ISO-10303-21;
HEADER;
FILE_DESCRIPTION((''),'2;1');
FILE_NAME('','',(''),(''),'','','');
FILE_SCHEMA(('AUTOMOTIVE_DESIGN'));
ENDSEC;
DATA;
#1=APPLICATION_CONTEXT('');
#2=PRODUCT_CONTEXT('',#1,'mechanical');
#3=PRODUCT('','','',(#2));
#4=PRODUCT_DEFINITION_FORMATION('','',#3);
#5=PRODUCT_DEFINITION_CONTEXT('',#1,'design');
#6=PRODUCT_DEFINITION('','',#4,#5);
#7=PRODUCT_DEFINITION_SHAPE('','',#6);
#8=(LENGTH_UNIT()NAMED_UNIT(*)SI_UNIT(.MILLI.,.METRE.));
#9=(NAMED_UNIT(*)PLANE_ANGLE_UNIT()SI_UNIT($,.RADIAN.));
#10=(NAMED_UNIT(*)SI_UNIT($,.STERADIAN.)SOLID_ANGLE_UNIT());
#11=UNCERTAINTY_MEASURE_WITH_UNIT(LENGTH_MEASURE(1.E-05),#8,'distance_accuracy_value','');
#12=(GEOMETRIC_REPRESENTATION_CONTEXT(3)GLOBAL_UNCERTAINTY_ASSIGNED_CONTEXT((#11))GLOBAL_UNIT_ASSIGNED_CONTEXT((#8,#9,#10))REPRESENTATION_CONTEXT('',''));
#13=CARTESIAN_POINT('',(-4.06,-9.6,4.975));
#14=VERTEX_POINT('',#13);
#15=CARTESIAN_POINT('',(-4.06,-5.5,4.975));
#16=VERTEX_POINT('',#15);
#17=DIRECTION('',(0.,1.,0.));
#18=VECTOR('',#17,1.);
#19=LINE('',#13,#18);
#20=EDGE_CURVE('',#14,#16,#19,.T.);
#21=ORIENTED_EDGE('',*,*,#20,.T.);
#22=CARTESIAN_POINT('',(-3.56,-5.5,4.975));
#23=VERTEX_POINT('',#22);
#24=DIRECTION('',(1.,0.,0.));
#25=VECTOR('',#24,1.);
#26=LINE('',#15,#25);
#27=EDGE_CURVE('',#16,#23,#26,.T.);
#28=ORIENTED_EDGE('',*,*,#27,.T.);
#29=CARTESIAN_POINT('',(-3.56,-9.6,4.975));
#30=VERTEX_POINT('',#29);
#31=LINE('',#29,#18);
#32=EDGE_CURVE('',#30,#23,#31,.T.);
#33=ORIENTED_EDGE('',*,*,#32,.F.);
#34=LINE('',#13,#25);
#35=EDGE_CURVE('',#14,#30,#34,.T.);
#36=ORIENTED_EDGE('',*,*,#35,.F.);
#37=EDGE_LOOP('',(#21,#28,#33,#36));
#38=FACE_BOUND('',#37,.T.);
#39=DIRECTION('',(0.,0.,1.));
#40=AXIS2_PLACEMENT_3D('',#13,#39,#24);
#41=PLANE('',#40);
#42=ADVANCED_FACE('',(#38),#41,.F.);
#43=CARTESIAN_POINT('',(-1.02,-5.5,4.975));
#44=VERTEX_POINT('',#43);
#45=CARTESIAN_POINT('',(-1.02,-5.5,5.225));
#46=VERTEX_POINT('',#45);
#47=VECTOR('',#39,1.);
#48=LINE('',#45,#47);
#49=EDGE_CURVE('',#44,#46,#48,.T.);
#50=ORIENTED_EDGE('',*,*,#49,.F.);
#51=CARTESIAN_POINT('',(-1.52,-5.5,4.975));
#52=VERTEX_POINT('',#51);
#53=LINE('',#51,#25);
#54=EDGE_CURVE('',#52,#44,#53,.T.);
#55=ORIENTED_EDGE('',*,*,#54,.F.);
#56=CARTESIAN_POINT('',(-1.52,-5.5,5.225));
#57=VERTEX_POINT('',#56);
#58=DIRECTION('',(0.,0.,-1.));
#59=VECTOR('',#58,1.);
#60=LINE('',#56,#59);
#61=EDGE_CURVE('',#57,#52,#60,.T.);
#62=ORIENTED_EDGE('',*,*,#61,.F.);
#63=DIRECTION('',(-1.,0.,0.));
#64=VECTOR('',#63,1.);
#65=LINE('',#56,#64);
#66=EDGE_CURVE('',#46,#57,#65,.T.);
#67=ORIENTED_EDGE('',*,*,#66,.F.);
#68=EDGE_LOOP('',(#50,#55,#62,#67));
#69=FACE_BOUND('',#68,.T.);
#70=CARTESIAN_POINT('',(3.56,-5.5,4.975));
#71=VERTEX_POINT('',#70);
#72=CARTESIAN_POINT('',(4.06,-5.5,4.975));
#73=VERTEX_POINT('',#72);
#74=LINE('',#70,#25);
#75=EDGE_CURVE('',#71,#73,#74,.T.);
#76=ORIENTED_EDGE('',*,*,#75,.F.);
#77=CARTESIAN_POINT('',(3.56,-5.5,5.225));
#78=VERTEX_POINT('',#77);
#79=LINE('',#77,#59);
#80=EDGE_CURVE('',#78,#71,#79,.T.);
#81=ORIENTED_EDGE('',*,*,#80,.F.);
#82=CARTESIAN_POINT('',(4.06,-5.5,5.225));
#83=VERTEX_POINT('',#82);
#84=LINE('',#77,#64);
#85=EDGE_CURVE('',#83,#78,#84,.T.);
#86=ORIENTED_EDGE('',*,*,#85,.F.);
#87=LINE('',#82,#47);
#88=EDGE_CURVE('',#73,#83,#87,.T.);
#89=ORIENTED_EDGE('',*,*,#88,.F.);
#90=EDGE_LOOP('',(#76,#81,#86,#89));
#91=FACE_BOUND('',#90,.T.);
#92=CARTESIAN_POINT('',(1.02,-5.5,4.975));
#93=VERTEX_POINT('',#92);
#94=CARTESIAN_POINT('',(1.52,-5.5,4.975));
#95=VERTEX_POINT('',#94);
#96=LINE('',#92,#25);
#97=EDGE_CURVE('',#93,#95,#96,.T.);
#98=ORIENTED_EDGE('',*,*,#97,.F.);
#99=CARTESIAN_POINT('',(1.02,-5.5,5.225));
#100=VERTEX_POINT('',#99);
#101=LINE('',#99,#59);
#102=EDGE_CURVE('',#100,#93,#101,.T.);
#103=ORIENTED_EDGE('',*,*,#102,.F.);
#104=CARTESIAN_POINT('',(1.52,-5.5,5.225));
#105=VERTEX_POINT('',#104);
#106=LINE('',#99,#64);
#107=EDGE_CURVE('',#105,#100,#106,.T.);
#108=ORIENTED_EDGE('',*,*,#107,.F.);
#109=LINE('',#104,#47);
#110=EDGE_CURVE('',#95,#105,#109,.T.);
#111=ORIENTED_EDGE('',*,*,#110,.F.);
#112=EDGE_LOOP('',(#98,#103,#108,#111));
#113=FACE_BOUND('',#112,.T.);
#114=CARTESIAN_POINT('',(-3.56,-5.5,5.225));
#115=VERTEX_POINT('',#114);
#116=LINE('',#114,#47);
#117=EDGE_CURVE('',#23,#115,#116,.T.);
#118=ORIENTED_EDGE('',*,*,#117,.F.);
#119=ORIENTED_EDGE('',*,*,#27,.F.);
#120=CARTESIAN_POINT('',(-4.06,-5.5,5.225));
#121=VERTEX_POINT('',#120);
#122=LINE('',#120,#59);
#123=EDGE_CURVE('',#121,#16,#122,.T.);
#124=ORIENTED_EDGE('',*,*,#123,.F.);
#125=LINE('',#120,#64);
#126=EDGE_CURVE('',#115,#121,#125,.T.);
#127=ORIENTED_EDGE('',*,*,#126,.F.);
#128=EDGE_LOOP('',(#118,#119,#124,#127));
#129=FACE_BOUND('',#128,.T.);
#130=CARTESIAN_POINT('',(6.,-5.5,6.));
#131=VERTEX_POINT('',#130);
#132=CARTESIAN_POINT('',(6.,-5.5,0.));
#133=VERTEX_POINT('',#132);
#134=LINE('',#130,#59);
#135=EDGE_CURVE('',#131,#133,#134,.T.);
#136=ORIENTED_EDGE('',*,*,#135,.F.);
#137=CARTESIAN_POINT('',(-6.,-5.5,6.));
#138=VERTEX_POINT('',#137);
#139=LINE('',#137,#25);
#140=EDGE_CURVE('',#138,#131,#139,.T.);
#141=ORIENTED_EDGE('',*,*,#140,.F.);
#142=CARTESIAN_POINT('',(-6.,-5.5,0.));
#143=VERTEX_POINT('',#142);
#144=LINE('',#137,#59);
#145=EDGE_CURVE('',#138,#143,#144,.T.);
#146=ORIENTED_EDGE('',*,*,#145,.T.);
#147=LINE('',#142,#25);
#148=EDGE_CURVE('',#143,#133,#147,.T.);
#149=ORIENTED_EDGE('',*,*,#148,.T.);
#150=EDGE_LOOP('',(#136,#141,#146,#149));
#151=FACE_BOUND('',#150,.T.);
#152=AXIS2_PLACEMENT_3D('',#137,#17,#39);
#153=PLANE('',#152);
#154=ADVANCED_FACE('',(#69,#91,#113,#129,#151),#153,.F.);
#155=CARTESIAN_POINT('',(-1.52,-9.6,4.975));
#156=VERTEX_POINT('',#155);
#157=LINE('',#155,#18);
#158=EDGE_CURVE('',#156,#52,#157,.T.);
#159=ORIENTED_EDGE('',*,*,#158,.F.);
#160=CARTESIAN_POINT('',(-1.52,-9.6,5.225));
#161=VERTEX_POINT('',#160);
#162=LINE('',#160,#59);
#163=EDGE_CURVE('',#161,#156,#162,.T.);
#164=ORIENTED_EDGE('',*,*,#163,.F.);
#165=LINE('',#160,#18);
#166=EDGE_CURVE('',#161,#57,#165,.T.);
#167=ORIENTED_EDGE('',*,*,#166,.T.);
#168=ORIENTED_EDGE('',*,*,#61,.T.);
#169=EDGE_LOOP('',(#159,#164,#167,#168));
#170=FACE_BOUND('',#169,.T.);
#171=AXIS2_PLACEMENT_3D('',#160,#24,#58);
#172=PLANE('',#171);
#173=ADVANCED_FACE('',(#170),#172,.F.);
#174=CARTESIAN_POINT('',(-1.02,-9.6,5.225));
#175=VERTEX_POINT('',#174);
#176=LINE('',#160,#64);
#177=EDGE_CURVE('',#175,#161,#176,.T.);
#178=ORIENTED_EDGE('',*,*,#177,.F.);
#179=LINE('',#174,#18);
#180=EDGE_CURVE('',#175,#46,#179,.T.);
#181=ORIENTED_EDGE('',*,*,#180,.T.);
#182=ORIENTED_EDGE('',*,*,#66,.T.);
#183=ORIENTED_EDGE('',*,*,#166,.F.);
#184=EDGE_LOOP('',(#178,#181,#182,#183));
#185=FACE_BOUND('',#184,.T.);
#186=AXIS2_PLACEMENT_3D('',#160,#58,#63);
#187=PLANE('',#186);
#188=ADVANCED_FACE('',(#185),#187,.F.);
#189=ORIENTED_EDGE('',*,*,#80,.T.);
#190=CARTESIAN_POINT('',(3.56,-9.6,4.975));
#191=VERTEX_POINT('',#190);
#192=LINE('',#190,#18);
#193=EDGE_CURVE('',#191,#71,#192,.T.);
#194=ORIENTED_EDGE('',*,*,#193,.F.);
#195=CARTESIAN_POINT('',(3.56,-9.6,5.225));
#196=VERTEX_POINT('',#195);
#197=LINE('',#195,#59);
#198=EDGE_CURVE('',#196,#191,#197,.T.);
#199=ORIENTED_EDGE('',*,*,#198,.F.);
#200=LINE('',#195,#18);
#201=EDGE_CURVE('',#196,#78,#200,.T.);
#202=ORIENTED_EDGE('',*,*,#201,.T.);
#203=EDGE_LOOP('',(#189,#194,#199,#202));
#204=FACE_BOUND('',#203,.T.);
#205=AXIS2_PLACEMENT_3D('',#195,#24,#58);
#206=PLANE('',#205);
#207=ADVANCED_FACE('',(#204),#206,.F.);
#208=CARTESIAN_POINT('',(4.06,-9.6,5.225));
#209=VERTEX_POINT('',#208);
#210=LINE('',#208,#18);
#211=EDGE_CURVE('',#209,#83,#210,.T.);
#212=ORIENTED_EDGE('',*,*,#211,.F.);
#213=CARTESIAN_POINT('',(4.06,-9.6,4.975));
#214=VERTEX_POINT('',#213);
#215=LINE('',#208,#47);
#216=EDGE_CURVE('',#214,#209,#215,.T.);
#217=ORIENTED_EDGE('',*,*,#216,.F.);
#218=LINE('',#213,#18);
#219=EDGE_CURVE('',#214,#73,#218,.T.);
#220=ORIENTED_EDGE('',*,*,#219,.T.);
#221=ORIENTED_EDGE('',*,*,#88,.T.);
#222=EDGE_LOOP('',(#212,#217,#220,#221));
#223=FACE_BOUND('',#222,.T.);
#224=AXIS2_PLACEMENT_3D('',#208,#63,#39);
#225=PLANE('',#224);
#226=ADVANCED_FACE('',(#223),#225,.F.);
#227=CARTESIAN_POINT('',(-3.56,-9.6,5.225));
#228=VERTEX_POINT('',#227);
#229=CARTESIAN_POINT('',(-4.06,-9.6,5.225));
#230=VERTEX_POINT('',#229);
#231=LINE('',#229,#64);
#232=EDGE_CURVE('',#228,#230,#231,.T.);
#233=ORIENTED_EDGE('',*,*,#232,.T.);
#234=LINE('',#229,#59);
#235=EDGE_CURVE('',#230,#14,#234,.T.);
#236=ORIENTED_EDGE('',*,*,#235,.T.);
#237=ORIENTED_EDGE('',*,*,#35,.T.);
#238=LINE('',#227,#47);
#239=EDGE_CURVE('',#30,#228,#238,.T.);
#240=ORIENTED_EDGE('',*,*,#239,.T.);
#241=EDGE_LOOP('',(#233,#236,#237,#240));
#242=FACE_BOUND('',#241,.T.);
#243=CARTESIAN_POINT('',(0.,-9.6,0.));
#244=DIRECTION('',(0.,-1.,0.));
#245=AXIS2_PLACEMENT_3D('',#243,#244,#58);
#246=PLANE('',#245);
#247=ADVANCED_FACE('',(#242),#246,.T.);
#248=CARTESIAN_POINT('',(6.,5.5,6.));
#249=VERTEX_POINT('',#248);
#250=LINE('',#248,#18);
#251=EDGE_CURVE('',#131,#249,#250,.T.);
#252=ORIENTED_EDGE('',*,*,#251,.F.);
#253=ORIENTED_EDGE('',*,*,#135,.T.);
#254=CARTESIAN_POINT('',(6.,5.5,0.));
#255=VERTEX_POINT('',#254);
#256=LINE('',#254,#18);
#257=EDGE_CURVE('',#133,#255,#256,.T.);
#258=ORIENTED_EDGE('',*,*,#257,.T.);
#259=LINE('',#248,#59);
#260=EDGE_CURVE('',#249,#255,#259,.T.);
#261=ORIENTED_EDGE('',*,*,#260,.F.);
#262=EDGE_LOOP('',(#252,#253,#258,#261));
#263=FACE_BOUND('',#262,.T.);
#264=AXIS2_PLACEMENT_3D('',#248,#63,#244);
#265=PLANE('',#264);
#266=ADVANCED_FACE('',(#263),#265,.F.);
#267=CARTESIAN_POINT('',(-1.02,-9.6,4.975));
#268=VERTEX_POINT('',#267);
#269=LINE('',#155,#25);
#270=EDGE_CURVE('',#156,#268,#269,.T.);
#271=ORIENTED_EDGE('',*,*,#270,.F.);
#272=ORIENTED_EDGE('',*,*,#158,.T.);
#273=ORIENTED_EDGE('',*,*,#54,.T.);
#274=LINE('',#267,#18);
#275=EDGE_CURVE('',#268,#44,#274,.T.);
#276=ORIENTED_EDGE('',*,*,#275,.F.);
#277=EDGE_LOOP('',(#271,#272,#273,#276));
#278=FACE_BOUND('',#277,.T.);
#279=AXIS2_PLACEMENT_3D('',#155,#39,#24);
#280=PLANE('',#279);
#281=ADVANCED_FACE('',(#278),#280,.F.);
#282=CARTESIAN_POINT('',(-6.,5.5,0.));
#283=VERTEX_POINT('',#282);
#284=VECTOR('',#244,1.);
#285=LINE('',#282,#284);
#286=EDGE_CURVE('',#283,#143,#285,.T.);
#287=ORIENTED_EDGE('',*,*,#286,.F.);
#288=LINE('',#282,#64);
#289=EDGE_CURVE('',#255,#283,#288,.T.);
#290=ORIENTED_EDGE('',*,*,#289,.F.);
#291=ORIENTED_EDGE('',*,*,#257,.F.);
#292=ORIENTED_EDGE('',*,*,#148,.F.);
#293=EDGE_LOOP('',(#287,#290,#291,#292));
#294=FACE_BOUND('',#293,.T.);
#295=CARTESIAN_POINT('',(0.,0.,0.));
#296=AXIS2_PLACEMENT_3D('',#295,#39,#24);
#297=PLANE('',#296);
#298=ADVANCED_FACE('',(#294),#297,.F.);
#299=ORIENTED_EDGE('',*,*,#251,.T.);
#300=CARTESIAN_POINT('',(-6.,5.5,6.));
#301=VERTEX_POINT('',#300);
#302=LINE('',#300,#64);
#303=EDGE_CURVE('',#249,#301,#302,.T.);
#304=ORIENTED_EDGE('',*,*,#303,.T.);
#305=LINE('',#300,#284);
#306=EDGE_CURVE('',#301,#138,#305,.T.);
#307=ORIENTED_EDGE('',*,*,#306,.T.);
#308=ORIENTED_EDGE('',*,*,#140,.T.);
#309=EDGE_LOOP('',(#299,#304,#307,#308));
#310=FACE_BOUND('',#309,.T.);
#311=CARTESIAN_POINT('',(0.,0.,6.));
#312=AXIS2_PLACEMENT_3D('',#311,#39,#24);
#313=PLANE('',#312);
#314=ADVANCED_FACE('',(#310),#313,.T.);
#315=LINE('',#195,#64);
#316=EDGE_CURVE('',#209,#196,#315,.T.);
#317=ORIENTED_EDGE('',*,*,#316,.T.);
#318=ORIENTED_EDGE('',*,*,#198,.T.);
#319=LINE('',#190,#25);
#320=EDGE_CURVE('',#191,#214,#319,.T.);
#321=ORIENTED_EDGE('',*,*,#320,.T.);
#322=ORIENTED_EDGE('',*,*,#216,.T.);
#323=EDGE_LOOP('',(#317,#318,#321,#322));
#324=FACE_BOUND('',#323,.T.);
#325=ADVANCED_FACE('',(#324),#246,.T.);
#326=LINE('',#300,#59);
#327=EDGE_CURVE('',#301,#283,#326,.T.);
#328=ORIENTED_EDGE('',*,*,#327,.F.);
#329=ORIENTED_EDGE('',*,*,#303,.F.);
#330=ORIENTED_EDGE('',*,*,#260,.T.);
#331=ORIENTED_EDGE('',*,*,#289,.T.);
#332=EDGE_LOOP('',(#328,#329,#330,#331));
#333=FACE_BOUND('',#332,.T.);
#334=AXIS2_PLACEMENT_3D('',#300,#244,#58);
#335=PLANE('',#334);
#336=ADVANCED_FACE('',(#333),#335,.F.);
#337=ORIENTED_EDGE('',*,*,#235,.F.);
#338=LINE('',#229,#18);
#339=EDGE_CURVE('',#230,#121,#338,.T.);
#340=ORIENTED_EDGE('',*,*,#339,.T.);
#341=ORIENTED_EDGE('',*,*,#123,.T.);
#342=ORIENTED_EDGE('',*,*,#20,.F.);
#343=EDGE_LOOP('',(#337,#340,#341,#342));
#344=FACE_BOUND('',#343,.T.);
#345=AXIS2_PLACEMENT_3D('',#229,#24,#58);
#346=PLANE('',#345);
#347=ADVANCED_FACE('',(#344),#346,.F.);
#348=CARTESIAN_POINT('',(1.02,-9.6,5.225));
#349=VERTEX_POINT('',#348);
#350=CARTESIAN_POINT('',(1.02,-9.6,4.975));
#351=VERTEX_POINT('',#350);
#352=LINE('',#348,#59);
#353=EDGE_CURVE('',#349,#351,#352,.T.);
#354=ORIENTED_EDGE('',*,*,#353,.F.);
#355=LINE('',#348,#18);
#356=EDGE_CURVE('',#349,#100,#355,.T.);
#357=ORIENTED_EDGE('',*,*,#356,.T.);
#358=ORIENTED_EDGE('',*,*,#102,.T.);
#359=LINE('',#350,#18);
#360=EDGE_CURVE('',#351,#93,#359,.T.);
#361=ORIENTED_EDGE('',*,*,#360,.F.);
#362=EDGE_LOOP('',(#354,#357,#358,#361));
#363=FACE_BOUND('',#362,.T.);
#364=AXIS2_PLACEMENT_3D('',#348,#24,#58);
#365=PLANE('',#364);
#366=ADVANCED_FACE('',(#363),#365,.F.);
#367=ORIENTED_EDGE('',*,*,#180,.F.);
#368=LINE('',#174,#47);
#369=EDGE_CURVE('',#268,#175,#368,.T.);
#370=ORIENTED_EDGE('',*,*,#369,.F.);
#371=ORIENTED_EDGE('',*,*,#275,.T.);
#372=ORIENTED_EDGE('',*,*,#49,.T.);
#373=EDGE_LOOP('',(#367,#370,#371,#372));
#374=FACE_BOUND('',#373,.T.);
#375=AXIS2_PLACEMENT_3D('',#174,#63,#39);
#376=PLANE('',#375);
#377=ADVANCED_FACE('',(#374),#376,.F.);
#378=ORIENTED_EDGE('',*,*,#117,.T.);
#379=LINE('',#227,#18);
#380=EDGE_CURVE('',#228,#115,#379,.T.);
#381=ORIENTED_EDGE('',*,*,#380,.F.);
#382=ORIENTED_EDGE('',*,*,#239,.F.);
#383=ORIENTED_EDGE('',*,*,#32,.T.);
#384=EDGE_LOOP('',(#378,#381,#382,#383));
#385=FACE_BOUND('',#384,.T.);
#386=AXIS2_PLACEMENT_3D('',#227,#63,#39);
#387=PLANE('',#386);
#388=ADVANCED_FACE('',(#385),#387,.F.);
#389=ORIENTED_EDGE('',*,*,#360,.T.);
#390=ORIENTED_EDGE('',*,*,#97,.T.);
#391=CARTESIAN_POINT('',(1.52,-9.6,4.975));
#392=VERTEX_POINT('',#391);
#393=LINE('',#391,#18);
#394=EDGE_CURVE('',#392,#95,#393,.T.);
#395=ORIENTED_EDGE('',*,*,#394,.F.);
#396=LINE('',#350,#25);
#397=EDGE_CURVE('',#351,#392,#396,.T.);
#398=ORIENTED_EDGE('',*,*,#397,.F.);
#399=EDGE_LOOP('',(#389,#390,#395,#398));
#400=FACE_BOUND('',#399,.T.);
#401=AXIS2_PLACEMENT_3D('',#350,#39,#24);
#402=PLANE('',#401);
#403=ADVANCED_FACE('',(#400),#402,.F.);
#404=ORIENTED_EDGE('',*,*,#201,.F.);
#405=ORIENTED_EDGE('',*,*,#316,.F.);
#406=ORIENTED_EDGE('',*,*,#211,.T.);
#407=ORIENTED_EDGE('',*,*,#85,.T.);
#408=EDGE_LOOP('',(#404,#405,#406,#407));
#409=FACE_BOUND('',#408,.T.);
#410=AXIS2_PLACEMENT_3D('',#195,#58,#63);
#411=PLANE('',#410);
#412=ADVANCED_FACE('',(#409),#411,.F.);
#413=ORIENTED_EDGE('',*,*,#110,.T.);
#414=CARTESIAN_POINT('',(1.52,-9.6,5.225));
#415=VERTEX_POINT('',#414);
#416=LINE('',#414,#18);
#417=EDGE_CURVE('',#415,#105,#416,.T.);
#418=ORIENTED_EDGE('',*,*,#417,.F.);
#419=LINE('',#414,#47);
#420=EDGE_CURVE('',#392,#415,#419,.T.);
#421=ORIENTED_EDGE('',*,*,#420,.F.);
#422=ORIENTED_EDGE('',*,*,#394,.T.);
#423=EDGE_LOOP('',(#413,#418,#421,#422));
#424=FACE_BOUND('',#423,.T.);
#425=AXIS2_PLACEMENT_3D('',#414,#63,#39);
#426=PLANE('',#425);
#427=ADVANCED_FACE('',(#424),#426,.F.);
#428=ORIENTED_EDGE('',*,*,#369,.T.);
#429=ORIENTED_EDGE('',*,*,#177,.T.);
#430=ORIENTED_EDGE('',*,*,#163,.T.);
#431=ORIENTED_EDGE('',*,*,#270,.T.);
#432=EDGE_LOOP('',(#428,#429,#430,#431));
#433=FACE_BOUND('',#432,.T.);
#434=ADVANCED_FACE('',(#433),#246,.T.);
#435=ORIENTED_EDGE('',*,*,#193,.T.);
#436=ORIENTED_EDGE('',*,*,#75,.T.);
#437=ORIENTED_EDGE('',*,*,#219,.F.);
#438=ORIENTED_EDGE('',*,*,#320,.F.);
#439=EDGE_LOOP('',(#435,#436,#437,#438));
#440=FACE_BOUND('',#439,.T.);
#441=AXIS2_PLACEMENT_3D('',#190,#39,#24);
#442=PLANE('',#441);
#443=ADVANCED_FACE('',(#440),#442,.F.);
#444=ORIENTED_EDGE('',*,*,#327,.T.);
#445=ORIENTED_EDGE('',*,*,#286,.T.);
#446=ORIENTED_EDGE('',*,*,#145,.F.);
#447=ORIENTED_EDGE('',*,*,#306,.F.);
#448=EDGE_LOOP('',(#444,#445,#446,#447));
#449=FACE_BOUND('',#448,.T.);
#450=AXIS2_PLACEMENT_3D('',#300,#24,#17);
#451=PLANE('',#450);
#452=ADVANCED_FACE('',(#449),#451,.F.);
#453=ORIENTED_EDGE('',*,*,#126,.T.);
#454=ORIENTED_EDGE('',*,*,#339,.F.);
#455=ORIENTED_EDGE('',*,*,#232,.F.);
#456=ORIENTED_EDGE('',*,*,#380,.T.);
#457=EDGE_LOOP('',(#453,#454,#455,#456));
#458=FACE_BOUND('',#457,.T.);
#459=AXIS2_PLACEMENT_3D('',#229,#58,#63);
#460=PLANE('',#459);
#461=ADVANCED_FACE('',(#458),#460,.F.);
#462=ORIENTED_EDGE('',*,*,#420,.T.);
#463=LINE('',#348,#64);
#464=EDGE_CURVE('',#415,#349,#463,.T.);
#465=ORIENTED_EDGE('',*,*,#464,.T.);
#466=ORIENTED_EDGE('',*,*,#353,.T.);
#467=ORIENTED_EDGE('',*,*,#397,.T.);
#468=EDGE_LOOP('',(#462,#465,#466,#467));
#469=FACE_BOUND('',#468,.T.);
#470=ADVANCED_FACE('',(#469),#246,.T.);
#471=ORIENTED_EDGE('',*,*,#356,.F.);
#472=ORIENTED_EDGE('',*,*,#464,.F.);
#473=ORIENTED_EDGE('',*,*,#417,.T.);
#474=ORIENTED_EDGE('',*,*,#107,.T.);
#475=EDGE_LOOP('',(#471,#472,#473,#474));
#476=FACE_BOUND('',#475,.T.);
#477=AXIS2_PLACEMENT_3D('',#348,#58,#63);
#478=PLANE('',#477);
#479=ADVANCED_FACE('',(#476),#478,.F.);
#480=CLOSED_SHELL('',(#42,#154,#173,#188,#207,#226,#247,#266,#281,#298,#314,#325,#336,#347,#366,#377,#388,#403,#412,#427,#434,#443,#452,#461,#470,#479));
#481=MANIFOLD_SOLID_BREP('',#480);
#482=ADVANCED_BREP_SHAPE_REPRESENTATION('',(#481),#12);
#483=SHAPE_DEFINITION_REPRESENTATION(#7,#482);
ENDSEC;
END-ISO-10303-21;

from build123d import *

# Parameters (mm, degrees)
SKETCH1_W           = 12
SKETCH1_H           = 11
BOSS_EXTRUDE1_DEPTH = 6
SKETCH2_W           = 0.5
SKETCH2_H           = 0.25
BOSS_EXTRUDE2_DEPTH = 4.1


with BuildPart() as part:
    # Sketch1 → Boss-Extrude1 (new body)
    with BuildSketch(Plane.XY):
        Rectangle(SKETCH1_W, SKETCH1_H)
    extrude(amount=BOSS_EXTRUDE1_DEPTH)

    # Sketch2 → Boss-Extrude2 (add)
    with BuildSketch(Plane.XZ.offset(5.5)):
        with Locations((1.27, 5.1)):
            Rectangle(SKETCH2_W, SKETCH2_H)
        with Locations((3.81, 5.1)):
            Rectangle(SKETCH2_W, SKETCH2_H)
        with Locations((-1.27, 5.1)):
            Rectangle(SKETCH2_W, SKETCH2_H)
        with Locations((-3.81, 5.1)):
            Rectangle(SKETCH2_W, SKETCH2_H)
    extrude(amount=BOSS_EXTRUDE2_DEPTH)


solid = part.part
